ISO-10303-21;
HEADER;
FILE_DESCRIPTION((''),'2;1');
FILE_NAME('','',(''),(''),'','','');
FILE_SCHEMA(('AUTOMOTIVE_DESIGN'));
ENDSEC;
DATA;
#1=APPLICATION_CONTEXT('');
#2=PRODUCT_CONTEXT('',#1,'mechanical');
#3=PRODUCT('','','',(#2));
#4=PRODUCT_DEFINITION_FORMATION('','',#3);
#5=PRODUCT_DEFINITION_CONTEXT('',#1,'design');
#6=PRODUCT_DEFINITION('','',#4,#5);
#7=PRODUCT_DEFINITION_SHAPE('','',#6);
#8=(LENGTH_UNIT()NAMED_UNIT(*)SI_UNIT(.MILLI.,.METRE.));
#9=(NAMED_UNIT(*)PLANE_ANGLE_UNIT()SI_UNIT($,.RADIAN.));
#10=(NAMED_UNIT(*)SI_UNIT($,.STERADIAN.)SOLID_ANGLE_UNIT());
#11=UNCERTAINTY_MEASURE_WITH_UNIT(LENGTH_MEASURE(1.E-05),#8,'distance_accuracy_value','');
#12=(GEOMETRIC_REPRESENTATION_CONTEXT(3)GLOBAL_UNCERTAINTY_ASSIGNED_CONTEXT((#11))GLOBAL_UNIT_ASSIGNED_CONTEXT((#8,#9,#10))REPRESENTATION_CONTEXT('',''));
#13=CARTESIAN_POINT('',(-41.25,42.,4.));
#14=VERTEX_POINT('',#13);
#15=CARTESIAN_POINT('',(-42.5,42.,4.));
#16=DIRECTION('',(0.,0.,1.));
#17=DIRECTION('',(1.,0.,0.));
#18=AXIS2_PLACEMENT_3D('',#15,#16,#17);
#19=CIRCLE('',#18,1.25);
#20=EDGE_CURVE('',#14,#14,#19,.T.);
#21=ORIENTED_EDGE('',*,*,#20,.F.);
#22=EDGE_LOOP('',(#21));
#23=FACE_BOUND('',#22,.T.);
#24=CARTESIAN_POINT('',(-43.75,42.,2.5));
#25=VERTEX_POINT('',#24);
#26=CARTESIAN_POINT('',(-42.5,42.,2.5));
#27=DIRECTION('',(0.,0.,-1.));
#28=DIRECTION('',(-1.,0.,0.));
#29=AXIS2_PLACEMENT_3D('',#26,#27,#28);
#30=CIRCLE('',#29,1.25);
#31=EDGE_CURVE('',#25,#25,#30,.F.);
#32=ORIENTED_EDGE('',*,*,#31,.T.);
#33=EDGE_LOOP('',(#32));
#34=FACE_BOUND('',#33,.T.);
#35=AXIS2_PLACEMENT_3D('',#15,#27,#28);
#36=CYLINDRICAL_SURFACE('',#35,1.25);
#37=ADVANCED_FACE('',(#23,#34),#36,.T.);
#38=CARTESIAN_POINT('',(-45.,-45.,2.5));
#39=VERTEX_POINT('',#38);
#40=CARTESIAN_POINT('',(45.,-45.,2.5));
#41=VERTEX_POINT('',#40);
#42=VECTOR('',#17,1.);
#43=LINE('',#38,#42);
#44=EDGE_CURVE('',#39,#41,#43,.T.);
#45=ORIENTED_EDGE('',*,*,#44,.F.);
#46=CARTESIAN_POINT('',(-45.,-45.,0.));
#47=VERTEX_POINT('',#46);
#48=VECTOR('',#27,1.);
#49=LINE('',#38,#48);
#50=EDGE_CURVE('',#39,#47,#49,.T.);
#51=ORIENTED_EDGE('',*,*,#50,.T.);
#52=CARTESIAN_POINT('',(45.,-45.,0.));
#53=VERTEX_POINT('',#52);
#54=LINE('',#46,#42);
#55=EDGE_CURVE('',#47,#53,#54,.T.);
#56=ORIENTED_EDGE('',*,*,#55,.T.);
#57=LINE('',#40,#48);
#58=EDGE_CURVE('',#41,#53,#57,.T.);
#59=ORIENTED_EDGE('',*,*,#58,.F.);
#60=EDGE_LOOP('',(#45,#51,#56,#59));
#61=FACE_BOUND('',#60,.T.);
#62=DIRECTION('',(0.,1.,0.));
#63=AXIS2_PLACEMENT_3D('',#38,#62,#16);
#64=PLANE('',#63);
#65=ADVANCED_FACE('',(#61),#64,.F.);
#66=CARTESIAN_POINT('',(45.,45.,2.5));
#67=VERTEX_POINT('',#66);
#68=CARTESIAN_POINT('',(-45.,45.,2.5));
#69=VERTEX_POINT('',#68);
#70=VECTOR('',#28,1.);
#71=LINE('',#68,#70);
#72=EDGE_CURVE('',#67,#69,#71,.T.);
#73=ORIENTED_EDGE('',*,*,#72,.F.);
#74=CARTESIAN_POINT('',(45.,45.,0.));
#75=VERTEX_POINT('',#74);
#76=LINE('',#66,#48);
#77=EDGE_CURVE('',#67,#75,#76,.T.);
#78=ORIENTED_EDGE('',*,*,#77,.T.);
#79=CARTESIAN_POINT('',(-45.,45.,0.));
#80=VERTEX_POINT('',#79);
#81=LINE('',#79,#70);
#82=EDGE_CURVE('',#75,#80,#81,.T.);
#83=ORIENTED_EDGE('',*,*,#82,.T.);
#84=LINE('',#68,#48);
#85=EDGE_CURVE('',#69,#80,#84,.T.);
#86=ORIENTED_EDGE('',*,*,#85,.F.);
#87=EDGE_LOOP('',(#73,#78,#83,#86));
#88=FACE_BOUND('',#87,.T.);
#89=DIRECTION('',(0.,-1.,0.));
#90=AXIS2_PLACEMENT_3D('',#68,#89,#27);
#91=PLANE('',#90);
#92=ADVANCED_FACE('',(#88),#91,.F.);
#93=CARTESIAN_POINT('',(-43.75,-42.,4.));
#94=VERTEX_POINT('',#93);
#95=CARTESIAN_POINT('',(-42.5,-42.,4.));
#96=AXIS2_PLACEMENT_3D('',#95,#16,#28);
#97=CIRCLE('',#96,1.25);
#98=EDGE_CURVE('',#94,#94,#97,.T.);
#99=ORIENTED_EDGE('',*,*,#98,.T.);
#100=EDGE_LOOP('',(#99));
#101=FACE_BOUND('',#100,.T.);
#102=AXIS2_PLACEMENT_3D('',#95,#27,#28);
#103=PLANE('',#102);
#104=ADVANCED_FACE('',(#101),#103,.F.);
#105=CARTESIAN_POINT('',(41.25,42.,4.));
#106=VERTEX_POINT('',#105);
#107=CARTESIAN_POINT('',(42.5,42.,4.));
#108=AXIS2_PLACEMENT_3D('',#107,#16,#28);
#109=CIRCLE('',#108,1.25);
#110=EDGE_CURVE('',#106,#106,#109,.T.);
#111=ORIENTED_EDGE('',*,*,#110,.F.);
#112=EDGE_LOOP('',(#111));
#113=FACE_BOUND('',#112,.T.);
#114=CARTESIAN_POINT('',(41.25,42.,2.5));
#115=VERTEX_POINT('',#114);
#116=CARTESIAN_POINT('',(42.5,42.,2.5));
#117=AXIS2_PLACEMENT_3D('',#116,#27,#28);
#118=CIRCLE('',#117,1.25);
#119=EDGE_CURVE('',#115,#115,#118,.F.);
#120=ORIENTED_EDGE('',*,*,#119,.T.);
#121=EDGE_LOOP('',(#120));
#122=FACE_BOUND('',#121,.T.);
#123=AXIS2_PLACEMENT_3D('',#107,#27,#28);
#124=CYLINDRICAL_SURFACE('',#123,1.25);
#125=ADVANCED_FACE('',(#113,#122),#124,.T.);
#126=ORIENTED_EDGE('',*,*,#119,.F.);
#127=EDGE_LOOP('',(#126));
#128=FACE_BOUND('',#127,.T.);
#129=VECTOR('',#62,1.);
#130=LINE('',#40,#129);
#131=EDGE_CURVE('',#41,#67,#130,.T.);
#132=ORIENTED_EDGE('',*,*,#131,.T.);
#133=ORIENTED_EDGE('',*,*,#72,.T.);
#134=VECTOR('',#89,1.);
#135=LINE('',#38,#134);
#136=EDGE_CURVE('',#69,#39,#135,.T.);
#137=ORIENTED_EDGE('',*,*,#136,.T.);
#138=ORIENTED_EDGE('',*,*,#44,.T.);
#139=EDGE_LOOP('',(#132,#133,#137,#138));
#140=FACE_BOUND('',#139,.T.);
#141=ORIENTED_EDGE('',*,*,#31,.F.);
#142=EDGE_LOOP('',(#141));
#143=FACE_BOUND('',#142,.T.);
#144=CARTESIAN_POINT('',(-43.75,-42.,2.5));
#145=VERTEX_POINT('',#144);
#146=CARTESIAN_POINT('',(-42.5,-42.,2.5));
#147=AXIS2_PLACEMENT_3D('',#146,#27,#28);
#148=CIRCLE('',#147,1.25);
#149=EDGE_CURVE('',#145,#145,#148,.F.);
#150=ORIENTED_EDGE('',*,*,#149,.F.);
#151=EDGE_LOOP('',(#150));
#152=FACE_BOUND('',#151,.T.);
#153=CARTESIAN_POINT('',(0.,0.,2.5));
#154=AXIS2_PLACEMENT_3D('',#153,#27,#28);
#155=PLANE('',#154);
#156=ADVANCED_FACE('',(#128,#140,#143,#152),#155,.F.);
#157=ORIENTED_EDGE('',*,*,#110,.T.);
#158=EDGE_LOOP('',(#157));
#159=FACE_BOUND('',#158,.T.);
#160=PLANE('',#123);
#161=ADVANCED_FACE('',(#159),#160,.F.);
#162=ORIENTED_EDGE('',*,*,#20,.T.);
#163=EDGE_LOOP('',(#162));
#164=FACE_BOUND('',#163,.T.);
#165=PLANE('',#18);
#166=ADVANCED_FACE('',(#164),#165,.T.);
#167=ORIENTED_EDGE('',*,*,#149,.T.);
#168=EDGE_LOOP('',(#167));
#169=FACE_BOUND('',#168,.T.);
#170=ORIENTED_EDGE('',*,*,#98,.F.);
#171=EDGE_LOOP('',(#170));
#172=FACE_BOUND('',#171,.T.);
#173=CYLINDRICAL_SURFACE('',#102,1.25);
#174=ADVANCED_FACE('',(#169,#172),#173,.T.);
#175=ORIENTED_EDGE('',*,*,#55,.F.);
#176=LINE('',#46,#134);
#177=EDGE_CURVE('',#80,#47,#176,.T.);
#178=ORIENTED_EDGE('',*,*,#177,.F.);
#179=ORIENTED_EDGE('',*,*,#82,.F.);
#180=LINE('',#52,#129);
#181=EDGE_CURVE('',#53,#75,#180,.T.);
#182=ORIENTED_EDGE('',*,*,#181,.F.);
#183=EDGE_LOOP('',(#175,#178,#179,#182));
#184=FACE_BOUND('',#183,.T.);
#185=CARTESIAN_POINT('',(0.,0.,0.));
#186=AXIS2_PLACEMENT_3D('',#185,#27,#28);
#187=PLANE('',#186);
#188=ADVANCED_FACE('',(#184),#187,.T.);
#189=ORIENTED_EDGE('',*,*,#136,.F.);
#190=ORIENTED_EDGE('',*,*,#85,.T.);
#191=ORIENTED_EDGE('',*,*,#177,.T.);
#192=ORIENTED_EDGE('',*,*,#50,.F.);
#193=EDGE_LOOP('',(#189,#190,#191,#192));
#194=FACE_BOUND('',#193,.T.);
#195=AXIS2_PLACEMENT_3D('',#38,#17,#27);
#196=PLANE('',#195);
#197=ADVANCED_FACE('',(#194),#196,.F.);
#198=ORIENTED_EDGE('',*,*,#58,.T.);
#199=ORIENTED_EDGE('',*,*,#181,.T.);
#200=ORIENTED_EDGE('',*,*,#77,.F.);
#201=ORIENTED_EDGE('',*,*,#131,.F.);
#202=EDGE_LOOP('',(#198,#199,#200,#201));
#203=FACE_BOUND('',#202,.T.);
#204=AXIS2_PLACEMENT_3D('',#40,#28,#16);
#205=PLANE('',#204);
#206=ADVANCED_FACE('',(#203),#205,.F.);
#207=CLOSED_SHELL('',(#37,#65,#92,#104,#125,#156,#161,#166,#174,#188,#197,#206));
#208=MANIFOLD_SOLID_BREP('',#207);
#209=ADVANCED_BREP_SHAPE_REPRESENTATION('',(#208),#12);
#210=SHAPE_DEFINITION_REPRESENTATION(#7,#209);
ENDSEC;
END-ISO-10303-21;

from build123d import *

# Parameters (mm, degrees)
SKETCH1_W           = 90
SKETCH1_H           = 90
BOSS_EXTRUDE1_DEPTH = 2.5
SKETCH2_R           = 1.25
BOSS_EXTRUDE2_DEPTH = 1.5


with BuildPart() as part:
    # Sketch1 → Boss-Extrude1 (new body)
    with BuildSketch(Plane.XY):
        Rectangle(SKETCH1_W, SKETCH1_H)
    extrude(amount=BOSS_EXTRUDE1_DEPTH)

    # Sketch2 → Boss-Extrude2 (add)
    with BuildSketch(Plane.XY.offset(2.5)):
        with Locations(Location((-42.5, 42, 0), (0, 0, 180))):
            Circle(SKETCH2_R)
        with Locations(Location((42.5, 42, 0), (0, 0, 180))):
            Circle(SKETCH2_R)
        with Locations(Location((-42.5, -42, 0), (0, 0, 180))):
            Circle(SKETCH2_R)
    extrude(amount=BOSS_EXTRUDE2_DEPTH)


solid = part.part
